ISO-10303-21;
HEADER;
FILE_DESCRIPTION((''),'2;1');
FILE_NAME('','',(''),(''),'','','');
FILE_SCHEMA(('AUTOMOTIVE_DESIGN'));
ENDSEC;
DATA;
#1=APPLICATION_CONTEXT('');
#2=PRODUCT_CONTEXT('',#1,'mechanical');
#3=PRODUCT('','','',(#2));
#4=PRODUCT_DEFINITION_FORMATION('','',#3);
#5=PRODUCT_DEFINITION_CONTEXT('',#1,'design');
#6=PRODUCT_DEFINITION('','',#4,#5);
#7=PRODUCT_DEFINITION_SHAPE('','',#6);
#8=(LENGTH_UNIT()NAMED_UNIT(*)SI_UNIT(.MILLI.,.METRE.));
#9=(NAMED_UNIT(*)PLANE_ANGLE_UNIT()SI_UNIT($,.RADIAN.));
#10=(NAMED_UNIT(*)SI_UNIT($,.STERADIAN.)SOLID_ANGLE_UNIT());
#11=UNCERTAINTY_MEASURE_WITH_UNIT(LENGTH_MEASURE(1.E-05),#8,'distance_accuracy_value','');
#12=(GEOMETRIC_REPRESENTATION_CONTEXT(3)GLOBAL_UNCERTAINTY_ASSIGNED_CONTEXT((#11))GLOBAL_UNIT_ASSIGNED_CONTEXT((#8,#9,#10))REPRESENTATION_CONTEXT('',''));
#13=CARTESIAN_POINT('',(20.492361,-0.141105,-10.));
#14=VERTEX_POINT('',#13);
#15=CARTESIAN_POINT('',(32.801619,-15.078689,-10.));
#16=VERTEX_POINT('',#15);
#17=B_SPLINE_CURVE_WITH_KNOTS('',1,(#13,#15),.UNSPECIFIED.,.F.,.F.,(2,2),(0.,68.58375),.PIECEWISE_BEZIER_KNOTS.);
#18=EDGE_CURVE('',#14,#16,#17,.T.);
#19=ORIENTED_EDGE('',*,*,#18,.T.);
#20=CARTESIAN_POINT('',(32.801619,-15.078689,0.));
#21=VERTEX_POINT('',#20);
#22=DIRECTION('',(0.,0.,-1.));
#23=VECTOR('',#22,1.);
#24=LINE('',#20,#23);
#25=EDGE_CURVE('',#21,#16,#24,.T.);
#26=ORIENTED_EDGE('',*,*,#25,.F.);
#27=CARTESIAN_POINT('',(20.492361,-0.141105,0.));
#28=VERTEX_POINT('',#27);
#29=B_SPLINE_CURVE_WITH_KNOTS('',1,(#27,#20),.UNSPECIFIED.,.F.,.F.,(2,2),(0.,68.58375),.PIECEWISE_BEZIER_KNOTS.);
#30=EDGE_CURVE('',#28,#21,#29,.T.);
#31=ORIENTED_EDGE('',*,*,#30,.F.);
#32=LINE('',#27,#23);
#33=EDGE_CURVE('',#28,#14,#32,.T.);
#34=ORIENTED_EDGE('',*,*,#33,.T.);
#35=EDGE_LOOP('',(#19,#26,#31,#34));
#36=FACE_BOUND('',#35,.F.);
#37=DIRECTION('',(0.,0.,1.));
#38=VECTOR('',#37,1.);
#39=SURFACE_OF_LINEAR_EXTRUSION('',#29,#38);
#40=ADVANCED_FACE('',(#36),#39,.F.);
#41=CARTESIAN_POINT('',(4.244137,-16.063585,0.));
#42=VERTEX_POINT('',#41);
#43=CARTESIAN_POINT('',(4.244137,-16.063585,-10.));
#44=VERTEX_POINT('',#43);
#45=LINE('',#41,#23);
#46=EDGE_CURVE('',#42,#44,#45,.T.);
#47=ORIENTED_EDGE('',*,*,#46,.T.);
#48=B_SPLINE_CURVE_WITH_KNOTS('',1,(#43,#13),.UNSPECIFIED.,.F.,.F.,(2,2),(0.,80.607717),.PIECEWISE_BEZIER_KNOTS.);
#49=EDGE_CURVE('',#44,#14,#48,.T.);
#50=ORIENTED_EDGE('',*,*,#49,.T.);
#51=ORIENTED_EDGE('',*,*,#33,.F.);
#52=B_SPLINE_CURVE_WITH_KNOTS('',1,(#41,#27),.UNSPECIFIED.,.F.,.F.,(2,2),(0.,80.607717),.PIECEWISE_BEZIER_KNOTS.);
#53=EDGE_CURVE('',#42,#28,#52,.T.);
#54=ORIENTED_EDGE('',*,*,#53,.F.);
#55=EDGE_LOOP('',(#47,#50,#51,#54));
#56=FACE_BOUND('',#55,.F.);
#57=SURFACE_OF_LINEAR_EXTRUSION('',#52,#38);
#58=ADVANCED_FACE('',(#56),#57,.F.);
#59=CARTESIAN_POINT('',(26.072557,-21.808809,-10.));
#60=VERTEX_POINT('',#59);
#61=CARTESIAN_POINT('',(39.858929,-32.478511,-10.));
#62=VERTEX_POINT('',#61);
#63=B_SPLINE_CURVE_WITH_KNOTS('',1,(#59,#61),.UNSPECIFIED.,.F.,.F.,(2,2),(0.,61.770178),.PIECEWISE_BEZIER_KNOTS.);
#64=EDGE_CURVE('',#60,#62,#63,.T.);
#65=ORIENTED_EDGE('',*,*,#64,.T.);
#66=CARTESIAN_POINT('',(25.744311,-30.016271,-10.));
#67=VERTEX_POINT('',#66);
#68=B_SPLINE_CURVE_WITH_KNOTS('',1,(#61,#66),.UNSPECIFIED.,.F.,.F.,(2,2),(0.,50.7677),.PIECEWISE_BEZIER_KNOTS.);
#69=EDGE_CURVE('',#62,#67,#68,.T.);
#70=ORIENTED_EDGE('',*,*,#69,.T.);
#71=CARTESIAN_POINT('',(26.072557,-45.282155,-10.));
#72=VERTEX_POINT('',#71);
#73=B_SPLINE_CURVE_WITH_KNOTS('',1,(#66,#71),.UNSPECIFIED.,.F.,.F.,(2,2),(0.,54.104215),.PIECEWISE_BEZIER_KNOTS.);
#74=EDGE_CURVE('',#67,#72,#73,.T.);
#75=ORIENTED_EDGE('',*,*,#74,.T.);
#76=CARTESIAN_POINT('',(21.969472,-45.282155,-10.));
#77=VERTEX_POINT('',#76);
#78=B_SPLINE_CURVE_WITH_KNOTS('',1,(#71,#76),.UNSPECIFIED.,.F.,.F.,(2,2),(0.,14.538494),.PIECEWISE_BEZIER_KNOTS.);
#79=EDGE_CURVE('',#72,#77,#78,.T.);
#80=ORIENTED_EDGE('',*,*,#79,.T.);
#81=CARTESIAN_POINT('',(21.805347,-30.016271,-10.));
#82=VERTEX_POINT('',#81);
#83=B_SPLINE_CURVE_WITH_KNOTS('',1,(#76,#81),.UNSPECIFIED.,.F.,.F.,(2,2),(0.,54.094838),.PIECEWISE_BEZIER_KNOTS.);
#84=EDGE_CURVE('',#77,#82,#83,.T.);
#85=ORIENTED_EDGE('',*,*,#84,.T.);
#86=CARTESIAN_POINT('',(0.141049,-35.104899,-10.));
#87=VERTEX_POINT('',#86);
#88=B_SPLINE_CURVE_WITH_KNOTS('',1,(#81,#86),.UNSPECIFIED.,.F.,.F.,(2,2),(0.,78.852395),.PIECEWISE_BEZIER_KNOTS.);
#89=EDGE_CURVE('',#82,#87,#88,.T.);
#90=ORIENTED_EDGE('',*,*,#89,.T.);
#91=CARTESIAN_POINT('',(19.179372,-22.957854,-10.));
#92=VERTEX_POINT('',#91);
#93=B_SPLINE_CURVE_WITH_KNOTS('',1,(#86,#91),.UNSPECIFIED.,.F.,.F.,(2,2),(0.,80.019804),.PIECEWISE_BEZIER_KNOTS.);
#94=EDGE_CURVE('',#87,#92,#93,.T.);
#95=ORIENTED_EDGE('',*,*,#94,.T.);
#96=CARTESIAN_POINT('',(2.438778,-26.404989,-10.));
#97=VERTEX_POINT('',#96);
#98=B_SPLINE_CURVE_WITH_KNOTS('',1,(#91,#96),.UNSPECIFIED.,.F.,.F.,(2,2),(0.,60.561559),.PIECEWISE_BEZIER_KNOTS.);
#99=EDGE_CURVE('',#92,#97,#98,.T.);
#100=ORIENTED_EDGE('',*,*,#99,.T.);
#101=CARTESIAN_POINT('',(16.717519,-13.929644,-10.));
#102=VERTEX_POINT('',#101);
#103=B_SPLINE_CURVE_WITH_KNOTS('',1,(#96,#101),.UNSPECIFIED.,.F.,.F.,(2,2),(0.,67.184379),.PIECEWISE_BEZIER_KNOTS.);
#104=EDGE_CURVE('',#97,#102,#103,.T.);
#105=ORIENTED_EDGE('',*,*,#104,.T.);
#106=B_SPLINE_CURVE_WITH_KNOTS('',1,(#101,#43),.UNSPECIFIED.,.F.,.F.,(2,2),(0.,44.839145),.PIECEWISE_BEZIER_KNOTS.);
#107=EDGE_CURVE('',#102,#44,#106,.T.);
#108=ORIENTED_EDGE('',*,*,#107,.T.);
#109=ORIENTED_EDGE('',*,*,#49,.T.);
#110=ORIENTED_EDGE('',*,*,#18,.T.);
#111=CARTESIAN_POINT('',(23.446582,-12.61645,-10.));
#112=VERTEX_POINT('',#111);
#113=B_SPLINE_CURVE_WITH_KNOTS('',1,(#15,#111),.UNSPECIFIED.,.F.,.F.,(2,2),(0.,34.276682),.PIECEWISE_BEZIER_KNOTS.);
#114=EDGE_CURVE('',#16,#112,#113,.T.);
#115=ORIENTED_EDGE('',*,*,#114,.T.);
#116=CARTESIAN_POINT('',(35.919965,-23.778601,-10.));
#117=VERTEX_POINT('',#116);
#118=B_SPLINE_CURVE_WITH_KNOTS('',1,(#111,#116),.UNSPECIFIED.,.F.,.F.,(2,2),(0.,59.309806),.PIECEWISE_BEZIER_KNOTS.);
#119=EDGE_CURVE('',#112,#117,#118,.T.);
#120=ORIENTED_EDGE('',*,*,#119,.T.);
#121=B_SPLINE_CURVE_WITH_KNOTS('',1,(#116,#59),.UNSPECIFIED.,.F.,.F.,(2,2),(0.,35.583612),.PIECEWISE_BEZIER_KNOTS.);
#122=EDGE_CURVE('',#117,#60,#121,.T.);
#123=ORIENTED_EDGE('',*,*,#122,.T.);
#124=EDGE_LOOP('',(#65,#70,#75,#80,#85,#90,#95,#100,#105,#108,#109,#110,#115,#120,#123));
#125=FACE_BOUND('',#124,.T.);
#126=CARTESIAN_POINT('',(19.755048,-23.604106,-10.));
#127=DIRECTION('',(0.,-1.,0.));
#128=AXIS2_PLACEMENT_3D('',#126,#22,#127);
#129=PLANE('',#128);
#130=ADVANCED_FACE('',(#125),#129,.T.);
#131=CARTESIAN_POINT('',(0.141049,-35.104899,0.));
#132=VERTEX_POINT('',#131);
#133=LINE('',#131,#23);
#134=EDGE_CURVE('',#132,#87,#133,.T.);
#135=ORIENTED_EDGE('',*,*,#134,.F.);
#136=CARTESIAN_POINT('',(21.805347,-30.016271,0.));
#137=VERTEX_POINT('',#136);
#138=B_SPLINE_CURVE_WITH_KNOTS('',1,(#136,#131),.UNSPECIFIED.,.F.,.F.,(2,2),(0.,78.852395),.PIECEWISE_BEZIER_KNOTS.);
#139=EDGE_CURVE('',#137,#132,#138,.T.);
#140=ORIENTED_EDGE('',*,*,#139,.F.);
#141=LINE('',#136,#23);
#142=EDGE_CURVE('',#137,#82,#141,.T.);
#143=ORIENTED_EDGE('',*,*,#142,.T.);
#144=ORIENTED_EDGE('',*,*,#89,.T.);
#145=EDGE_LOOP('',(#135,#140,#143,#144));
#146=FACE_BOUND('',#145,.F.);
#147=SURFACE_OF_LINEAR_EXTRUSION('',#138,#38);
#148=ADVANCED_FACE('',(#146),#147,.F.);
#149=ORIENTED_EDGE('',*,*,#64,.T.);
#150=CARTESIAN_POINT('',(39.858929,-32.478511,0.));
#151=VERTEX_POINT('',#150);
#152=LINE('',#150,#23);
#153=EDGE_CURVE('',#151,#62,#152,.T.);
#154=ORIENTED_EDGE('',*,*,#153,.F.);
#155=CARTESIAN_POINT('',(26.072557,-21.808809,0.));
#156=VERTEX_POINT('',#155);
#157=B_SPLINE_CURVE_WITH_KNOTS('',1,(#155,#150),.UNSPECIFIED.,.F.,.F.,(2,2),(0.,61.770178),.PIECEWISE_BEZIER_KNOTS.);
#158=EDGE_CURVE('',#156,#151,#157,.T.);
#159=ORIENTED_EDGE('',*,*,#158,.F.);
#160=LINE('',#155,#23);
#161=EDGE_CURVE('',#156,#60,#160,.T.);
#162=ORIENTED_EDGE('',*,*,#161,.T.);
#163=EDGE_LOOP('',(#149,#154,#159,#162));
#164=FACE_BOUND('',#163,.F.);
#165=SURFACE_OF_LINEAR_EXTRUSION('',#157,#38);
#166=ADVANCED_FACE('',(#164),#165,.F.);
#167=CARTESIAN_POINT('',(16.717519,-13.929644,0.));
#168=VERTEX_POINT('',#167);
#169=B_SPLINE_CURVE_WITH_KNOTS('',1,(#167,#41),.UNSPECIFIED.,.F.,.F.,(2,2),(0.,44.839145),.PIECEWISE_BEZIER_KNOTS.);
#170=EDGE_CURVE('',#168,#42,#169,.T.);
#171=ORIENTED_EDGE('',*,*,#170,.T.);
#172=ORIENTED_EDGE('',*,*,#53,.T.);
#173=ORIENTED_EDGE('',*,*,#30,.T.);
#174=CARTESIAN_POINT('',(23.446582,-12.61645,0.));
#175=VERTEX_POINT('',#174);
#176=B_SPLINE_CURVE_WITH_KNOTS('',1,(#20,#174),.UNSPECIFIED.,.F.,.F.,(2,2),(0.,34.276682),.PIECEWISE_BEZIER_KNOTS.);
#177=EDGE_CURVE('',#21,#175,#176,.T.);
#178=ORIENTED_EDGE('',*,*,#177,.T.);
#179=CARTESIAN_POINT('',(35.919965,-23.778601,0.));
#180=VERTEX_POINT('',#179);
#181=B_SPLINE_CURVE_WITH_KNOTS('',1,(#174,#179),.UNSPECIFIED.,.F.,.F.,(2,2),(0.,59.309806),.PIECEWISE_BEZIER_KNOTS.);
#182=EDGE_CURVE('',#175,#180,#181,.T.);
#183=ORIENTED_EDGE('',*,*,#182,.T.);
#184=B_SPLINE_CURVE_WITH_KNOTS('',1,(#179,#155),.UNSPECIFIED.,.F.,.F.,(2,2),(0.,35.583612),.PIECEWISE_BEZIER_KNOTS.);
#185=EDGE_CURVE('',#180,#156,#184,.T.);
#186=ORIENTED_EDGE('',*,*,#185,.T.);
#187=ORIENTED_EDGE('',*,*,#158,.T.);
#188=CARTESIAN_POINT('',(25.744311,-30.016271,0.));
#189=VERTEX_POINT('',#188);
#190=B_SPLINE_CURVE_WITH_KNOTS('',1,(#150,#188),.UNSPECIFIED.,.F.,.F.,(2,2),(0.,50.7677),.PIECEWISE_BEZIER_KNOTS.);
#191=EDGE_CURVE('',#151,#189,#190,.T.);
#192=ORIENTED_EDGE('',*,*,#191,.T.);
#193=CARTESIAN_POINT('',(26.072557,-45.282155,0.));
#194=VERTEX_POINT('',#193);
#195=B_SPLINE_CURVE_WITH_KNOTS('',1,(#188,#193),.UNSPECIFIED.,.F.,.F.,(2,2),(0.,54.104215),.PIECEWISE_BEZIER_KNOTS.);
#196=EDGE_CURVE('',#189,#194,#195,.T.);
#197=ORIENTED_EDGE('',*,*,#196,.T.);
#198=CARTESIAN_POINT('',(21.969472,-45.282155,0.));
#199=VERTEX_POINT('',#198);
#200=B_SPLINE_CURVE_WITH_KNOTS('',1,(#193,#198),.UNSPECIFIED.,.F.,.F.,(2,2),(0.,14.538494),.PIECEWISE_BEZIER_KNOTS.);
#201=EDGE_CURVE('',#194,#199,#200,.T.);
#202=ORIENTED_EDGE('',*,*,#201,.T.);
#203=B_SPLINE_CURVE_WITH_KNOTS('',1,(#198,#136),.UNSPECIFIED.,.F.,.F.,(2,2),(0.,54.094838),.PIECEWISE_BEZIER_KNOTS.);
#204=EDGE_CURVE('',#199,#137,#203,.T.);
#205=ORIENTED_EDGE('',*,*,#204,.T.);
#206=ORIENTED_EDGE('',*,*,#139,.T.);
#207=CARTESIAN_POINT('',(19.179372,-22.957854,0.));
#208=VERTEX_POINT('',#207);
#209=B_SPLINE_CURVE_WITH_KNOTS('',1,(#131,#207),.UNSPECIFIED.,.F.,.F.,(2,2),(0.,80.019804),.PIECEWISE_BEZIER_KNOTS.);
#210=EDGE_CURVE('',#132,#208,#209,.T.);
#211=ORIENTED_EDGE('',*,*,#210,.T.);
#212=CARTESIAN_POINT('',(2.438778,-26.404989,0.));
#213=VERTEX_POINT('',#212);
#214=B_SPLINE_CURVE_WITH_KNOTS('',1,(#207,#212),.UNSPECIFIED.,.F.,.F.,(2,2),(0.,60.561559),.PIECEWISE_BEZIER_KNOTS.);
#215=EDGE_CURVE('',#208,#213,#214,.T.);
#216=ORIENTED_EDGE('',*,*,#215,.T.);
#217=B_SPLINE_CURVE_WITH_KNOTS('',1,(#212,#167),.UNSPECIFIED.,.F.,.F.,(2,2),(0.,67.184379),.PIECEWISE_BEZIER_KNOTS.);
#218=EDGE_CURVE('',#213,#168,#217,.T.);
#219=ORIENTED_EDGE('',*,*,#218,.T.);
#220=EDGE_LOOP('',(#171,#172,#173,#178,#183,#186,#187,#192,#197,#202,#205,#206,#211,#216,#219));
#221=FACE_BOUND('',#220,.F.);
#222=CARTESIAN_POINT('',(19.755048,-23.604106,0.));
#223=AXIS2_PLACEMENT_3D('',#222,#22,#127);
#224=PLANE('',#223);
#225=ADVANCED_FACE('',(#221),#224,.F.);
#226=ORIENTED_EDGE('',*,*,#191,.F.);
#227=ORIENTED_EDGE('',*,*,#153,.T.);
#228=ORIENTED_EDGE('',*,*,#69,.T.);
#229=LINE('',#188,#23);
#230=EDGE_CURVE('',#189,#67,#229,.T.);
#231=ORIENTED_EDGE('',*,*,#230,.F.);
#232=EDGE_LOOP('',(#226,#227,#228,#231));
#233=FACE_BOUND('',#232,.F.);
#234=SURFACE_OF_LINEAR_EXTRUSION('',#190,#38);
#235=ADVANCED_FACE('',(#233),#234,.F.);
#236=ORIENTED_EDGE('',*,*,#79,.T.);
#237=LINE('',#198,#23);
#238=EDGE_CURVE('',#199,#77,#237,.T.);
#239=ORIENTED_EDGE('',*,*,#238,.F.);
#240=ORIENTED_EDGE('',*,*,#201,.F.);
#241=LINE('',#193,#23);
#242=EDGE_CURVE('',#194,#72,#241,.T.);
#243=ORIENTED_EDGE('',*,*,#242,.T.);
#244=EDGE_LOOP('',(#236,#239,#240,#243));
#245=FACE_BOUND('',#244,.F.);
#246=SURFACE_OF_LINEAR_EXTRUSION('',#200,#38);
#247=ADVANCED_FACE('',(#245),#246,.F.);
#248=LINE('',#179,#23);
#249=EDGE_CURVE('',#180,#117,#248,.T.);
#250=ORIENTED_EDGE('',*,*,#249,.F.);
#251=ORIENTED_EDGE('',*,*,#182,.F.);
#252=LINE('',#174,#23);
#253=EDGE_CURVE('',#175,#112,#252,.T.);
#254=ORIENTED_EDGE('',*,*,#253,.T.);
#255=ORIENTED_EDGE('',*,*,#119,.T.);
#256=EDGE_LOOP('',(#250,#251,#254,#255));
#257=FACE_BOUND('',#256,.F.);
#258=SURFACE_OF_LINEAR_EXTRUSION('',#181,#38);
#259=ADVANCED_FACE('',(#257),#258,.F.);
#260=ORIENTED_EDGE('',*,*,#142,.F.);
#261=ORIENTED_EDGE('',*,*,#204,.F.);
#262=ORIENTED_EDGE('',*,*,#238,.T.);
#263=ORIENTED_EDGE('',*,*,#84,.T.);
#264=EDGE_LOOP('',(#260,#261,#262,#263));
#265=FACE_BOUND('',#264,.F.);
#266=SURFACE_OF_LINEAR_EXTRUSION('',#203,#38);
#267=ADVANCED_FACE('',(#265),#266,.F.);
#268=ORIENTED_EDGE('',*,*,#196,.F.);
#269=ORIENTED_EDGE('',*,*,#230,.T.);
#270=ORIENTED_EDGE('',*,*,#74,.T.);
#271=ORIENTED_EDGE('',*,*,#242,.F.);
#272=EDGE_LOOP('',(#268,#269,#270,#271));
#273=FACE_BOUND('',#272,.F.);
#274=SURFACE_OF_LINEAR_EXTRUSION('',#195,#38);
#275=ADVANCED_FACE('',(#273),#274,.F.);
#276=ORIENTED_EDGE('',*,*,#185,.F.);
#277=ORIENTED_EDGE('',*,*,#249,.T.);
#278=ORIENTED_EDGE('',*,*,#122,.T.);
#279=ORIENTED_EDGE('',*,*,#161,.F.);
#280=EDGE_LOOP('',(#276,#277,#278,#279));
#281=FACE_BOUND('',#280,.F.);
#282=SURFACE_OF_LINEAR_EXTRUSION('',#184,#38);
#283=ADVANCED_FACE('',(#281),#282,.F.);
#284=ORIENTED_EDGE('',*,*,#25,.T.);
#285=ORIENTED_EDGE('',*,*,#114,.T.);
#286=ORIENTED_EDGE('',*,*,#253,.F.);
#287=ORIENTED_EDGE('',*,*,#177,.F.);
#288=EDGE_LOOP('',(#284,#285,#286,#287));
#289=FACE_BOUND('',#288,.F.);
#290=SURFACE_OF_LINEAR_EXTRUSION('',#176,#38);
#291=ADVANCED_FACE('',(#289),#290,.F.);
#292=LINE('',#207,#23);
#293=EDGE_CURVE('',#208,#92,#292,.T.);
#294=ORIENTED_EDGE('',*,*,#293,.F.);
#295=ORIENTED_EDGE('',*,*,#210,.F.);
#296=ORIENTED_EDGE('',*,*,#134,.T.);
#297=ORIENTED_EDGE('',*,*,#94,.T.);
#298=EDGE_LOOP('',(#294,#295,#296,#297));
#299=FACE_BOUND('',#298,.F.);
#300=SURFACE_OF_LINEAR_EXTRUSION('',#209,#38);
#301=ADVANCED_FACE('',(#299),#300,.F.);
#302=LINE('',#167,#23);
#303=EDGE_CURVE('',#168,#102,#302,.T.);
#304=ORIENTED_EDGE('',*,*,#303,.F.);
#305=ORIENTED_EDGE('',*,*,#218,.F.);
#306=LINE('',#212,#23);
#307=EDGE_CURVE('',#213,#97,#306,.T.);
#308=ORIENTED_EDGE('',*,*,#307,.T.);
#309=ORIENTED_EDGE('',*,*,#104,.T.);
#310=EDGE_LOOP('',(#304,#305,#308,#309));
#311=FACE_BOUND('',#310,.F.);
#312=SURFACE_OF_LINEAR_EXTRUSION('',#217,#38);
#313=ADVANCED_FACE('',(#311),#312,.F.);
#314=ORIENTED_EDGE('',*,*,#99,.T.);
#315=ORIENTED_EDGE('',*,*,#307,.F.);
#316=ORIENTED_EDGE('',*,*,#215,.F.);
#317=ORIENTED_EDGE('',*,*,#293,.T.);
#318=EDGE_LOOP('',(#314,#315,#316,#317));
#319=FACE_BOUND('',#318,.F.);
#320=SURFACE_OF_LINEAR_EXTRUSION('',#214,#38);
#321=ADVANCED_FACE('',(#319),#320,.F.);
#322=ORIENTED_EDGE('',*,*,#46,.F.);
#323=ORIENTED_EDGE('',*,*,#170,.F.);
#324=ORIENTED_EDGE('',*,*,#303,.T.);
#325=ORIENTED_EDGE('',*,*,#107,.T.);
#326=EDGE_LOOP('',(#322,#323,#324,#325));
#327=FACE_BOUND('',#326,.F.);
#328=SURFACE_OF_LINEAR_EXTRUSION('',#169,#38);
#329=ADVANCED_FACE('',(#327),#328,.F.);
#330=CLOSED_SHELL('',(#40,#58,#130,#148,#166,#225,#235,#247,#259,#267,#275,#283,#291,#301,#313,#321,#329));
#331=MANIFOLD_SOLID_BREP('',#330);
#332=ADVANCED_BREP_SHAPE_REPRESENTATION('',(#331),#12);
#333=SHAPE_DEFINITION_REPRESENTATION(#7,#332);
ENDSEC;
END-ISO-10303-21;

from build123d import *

# Parameters (mm, degrees)
EXTRUDE_DEPTH = 10


with BuildPart() as part:
    # path4181 → Extrude (new body)
    with BuildSketch(Plane(origin=(19.999989, -22.71163, 0), x_dir=(0, -1, 0), z_dir=(0, 0, -1))):
        with BuildLine():
            add(Edge.make_bspline(
                [(22.570525, -1.969483), (7.304641, -1.805358)],
                knots=[0, 0, 54.094838, 54.094838], degree=1))
            add(Edge.make_bspline(
                [(7.304641, -1.805358), (12.393269, 19.85894)],
                knots=[0, 0, 78.852395, 78.852395], degree=1))
            add(Edge.make_bspline(
                [(12.393269, 19.85894), (0.246224, 0.820617)],
                knots=[0, 0, 80.019804, 80.019804], degree=1))
            add(Edge.make_bspline(
                [(0.246224, 0.820617), (3.693359, 17.561211)],
                knots=[0, 0, 60.561559, 60.561559], degree=1))
            add(Edge.make_bspline(
                [(3.693359, 17.561211), (-8.781986, 3.28247)],
                knots=[0, 0, 67.184379, 67.184379], degree=1))
            add(Edge.make_bspline(
                [(-8.781986, 3.28247), (-6.648045, 15.755852)],
                knots=[0, 0, 44.839145, 44.839145], degree=1))
            add(Edge.make_bspline(
                [(-6.648045, 15.755852), (-22.570525, -0.492372)],
                knots=[0, 0, 80.607717, 80.607717], degree=1))
            add(Edge.make_bspline(
                [(-22.570525, -0.492372), (-7.632941, -12.80163)],
                knots=[0, 0, 68.58375, 68.58375], degree=1))
            add(Edge.make_bspline(
                [(-7.632941, -12.80163), (-10.09518, -3.446593)],
                knots=[0, 0, 34.276682, 34.276682], degree=1))
            add(Edge.make_bspline(
                [(-10.09518, -3.446593), (1.066971, -15.919976)],
                knots=[0, 0, 59.309806, 59.309806], degree=1))
            add(Edge.make_bspline(
                [(1.066971, -15.919976), (-0.902821, -6.072568)],
                knots=[0, 0, 35.583612, 35.583612], degree=1))
            add(Edge.make_bspline(
                [(-0.902821, -6.072568), (9.766881, -19.85894)],
                knots=[0, 0, 61.770178, 61.770178], degree=1))
            add(Edge.make_bspline(
                [(9.766881, -19.85894), (7.304641, -5.744322)],
                knots=[0, 0, 50.7677, 50.7677], degree=1))
            add(Edge.make_bspline(
                [(7.304641, -5.744322), (22.570525, -6.072568)],
                knots=[0, 0, 54.104215, 54.104215], degree=1))
            add(Edge.make_bspline(
                [(22.570525, -6.072568), (22.570525, -1.969483)],
                knots=[0, 0, 14.538494, 14.538494], degree=1))
        make_face()
    extrude(amount=EXTRUDE_DEPTH)


solid = part.part
